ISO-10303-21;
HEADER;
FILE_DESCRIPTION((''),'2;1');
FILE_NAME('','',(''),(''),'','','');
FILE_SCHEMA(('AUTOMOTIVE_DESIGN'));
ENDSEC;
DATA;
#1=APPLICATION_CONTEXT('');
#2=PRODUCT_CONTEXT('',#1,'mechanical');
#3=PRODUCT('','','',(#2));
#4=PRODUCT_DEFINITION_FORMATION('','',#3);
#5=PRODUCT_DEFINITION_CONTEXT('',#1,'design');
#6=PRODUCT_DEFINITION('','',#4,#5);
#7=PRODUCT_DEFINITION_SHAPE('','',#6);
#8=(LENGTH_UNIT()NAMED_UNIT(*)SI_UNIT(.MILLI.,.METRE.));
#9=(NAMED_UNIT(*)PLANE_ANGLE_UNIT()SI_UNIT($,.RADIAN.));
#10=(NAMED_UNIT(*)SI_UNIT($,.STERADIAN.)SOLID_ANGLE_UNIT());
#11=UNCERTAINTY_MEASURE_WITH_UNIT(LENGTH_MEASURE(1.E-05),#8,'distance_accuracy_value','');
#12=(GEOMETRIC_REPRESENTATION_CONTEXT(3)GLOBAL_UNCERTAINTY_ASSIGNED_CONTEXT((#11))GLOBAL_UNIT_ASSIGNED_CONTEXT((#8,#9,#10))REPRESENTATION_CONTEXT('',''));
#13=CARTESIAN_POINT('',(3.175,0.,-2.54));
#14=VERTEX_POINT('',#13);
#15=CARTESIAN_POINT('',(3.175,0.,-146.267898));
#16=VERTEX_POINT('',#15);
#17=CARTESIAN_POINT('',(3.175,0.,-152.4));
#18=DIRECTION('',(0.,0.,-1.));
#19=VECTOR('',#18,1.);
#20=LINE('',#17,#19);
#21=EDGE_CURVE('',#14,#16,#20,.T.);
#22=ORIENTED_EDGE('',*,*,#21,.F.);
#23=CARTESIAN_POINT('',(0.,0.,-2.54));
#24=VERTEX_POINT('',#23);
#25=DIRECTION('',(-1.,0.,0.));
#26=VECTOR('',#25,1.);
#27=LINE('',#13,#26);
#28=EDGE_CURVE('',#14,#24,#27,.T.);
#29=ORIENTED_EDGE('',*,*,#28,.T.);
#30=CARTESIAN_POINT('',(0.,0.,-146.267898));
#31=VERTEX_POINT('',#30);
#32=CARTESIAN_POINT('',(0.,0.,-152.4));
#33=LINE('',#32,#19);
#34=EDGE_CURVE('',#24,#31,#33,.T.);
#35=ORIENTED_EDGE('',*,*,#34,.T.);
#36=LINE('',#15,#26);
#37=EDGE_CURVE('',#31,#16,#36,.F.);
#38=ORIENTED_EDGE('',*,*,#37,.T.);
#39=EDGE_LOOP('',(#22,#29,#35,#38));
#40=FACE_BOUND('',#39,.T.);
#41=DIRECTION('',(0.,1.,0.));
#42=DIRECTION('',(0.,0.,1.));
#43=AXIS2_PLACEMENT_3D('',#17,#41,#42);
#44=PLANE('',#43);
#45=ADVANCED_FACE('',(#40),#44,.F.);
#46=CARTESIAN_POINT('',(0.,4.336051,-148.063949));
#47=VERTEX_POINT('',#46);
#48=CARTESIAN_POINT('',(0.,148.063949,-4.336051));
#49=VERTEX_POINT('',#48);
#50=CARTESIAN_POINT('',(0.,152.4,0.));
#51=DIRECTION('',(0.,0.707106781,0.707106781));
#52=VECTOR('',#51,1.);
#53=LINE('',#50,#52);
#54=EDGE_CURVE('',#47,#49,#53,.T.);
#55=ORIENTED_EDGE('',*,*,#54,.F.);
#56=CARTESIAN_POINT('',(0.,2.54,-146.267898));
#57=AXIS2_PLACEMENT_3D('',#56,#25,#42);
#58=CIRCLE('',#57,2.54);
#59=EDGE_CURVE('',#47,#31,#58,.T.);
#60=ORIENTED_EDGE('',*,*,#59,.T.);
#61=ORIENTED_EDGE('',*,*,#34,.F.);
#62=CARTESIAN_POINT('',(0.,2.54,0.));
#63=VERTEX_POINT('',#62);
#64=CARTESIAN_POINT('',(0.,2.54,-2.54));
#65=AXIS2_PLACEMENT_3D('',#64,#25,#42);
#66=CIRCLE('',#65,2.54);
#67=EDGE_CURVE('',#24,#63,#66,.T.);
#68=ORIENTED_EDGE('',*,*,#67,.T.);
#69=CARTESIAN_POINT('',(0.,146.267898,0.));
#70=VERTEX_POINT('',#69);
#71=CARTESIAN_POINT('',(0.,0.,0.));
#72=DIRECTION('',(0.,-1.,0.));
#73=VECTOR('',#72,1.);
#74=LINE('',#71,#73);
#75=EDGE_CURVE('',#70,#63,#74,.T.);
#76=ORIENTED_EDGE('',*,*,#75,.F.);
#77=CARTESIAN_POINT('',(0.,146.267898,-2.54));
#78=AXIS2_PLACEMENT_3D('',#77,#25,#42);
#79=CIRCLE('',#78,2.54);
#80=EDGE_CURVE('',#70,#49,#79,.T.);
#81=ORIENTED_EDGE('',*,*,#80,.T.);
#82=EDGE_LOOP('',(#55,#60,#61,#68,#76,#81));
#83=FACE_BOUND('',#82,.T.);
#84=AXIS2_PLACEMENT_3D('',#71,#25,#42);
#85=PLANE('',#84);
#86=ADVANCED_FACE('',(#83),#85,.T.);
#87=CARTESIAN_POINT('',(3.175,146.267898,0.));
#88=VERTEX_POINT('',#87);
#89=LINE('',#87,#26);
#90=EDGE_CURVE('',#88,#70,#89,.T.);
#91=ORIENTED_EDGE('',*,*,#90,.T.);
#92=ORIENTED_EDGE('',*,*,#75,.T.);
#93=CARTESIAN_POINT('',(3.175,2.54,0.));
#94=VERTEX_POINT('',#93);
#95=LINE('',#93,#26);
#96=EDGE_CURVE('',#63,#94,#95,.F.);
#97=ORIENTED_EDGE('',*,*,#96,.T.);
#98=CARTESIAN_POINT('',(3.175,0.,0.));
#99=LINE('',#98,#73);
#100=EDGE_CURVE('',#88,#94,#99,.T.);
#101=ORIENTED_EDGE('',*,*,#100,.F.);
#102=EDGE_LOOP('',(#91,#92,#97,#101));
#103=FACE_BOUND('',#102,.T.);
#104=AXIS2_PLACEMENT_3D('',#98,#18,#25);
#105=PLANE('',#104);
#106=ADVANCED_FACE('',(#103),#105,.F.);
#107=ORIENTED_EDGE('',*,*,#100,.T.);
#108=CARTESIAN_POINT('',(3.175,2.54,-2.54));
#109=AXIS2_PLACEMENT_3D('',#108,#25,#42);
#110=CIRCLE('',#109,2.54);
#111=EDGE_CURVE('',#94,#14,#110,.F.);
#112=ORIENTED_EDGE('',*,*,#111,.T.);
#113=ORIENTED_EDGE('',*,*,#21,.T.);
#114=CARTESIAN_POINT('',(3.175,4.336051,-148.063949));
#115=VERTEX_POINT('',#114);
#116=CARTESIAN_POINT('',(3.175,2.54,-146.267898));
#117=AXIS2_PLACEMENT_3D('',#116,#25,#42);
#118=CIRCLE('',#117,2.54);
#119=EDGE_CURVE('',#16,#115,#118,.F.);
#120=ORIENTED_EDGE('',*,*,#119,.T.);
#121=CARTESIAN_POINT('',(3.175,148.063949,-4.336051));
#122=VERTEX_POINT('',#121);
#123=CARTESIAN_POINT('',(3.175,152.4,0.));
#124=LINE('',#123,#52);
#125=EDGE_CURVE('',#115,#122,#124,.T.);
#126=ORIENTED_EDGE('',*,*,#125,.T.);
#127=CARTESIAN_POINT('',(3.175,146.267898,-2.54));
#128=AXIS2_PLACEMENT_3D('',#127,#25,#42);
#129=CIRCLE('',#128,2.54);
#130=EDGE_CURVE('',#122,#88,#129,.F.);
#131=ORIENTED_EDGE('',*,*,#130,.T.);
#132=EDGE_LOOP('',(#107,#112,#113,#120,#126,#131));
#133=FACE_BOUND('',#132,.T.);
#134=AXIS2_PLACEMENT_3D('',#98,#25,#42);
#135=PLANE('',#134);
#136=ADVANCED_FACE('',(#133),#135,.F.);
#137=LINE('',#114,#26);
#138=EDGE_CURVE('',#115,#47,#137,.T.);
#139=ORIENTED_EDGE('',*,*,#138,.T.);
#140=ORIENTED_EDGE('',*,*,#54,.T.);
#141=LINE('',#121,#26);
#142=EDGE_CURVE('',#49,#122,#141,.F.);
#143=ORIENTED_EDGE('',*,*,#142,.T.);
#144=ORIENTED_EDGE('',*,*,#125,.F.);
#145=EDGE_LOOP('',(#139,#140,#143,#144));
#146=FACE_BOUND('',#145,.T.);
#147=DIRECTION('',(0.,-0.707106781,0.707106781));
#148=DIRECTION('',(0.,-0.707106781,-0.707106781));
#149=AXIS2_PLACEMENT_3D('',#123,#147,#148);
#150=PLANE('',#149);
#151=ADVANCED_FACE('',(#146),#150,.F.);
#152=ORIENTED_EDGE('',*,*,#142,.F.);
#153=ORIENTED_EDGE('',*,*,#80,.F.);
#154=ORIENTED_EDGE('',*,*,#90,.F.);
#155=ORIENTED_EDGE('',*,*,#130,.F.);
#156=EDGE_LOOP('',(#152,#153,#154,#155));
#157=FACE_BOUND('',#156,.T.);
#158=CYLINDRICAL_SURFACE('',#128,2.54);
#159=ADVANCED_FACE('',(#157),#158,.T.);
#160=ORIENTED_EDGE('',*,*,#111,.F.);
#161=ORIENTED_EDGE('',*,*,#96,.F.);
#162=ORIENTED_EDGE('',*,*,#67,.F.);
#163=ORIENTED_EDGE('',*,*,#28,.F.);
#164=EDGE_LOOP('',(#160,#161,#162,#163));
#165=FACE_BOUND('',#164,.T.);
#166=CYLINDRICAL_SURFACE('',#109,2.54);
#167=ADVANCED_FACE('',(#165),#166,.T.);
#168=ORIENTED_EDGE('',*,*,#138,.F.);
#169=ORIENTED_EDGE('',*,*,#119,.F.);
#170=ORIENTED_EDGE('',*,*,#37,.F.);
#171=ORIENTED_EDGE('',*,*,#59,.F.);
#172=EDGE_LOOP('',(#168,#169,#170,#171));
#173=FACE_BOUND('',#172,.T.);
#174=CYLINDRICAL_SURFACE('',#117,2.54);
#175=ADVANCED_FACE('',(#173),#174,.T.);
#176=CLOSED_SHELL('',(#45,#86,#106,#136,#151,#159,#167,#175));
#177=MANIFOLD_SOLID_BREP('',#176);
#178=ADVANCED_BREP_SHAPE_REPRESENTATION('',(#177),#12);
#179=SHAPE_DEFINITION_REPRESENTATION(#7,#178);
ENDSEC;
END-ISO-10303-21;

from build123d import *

# Parameters (mm, degrees)
BOSS_EXTRUDE1_DEPTH = 3.175
FILLET1_R           = 2.54


with BuildPart() as part:
    # Sketch1 → Boss-Extrude1 (new body)
    with BuildSketch(Plane(origin=(0, 0, 0), x_dir=(0, 0, -1), z_dir=(1, 0, 0))):
        Polygon((0, 0), (0, 152.4), (152.4, 0), align=None)
    extrude(amount=BOSS_EXTRUDE1_DEPTH)

    # Fillet1
    fillet1_edges = [part.edges().sort_by_distance(p)[0] for p in [
        (1.5875, 0, 0),
        (1.5875, 152.4, 0),
        (1.5875, 0, -152.4),
    ]]
    fillet(fillet1_edges, radius=FILLET1_R)


solid = part.part
